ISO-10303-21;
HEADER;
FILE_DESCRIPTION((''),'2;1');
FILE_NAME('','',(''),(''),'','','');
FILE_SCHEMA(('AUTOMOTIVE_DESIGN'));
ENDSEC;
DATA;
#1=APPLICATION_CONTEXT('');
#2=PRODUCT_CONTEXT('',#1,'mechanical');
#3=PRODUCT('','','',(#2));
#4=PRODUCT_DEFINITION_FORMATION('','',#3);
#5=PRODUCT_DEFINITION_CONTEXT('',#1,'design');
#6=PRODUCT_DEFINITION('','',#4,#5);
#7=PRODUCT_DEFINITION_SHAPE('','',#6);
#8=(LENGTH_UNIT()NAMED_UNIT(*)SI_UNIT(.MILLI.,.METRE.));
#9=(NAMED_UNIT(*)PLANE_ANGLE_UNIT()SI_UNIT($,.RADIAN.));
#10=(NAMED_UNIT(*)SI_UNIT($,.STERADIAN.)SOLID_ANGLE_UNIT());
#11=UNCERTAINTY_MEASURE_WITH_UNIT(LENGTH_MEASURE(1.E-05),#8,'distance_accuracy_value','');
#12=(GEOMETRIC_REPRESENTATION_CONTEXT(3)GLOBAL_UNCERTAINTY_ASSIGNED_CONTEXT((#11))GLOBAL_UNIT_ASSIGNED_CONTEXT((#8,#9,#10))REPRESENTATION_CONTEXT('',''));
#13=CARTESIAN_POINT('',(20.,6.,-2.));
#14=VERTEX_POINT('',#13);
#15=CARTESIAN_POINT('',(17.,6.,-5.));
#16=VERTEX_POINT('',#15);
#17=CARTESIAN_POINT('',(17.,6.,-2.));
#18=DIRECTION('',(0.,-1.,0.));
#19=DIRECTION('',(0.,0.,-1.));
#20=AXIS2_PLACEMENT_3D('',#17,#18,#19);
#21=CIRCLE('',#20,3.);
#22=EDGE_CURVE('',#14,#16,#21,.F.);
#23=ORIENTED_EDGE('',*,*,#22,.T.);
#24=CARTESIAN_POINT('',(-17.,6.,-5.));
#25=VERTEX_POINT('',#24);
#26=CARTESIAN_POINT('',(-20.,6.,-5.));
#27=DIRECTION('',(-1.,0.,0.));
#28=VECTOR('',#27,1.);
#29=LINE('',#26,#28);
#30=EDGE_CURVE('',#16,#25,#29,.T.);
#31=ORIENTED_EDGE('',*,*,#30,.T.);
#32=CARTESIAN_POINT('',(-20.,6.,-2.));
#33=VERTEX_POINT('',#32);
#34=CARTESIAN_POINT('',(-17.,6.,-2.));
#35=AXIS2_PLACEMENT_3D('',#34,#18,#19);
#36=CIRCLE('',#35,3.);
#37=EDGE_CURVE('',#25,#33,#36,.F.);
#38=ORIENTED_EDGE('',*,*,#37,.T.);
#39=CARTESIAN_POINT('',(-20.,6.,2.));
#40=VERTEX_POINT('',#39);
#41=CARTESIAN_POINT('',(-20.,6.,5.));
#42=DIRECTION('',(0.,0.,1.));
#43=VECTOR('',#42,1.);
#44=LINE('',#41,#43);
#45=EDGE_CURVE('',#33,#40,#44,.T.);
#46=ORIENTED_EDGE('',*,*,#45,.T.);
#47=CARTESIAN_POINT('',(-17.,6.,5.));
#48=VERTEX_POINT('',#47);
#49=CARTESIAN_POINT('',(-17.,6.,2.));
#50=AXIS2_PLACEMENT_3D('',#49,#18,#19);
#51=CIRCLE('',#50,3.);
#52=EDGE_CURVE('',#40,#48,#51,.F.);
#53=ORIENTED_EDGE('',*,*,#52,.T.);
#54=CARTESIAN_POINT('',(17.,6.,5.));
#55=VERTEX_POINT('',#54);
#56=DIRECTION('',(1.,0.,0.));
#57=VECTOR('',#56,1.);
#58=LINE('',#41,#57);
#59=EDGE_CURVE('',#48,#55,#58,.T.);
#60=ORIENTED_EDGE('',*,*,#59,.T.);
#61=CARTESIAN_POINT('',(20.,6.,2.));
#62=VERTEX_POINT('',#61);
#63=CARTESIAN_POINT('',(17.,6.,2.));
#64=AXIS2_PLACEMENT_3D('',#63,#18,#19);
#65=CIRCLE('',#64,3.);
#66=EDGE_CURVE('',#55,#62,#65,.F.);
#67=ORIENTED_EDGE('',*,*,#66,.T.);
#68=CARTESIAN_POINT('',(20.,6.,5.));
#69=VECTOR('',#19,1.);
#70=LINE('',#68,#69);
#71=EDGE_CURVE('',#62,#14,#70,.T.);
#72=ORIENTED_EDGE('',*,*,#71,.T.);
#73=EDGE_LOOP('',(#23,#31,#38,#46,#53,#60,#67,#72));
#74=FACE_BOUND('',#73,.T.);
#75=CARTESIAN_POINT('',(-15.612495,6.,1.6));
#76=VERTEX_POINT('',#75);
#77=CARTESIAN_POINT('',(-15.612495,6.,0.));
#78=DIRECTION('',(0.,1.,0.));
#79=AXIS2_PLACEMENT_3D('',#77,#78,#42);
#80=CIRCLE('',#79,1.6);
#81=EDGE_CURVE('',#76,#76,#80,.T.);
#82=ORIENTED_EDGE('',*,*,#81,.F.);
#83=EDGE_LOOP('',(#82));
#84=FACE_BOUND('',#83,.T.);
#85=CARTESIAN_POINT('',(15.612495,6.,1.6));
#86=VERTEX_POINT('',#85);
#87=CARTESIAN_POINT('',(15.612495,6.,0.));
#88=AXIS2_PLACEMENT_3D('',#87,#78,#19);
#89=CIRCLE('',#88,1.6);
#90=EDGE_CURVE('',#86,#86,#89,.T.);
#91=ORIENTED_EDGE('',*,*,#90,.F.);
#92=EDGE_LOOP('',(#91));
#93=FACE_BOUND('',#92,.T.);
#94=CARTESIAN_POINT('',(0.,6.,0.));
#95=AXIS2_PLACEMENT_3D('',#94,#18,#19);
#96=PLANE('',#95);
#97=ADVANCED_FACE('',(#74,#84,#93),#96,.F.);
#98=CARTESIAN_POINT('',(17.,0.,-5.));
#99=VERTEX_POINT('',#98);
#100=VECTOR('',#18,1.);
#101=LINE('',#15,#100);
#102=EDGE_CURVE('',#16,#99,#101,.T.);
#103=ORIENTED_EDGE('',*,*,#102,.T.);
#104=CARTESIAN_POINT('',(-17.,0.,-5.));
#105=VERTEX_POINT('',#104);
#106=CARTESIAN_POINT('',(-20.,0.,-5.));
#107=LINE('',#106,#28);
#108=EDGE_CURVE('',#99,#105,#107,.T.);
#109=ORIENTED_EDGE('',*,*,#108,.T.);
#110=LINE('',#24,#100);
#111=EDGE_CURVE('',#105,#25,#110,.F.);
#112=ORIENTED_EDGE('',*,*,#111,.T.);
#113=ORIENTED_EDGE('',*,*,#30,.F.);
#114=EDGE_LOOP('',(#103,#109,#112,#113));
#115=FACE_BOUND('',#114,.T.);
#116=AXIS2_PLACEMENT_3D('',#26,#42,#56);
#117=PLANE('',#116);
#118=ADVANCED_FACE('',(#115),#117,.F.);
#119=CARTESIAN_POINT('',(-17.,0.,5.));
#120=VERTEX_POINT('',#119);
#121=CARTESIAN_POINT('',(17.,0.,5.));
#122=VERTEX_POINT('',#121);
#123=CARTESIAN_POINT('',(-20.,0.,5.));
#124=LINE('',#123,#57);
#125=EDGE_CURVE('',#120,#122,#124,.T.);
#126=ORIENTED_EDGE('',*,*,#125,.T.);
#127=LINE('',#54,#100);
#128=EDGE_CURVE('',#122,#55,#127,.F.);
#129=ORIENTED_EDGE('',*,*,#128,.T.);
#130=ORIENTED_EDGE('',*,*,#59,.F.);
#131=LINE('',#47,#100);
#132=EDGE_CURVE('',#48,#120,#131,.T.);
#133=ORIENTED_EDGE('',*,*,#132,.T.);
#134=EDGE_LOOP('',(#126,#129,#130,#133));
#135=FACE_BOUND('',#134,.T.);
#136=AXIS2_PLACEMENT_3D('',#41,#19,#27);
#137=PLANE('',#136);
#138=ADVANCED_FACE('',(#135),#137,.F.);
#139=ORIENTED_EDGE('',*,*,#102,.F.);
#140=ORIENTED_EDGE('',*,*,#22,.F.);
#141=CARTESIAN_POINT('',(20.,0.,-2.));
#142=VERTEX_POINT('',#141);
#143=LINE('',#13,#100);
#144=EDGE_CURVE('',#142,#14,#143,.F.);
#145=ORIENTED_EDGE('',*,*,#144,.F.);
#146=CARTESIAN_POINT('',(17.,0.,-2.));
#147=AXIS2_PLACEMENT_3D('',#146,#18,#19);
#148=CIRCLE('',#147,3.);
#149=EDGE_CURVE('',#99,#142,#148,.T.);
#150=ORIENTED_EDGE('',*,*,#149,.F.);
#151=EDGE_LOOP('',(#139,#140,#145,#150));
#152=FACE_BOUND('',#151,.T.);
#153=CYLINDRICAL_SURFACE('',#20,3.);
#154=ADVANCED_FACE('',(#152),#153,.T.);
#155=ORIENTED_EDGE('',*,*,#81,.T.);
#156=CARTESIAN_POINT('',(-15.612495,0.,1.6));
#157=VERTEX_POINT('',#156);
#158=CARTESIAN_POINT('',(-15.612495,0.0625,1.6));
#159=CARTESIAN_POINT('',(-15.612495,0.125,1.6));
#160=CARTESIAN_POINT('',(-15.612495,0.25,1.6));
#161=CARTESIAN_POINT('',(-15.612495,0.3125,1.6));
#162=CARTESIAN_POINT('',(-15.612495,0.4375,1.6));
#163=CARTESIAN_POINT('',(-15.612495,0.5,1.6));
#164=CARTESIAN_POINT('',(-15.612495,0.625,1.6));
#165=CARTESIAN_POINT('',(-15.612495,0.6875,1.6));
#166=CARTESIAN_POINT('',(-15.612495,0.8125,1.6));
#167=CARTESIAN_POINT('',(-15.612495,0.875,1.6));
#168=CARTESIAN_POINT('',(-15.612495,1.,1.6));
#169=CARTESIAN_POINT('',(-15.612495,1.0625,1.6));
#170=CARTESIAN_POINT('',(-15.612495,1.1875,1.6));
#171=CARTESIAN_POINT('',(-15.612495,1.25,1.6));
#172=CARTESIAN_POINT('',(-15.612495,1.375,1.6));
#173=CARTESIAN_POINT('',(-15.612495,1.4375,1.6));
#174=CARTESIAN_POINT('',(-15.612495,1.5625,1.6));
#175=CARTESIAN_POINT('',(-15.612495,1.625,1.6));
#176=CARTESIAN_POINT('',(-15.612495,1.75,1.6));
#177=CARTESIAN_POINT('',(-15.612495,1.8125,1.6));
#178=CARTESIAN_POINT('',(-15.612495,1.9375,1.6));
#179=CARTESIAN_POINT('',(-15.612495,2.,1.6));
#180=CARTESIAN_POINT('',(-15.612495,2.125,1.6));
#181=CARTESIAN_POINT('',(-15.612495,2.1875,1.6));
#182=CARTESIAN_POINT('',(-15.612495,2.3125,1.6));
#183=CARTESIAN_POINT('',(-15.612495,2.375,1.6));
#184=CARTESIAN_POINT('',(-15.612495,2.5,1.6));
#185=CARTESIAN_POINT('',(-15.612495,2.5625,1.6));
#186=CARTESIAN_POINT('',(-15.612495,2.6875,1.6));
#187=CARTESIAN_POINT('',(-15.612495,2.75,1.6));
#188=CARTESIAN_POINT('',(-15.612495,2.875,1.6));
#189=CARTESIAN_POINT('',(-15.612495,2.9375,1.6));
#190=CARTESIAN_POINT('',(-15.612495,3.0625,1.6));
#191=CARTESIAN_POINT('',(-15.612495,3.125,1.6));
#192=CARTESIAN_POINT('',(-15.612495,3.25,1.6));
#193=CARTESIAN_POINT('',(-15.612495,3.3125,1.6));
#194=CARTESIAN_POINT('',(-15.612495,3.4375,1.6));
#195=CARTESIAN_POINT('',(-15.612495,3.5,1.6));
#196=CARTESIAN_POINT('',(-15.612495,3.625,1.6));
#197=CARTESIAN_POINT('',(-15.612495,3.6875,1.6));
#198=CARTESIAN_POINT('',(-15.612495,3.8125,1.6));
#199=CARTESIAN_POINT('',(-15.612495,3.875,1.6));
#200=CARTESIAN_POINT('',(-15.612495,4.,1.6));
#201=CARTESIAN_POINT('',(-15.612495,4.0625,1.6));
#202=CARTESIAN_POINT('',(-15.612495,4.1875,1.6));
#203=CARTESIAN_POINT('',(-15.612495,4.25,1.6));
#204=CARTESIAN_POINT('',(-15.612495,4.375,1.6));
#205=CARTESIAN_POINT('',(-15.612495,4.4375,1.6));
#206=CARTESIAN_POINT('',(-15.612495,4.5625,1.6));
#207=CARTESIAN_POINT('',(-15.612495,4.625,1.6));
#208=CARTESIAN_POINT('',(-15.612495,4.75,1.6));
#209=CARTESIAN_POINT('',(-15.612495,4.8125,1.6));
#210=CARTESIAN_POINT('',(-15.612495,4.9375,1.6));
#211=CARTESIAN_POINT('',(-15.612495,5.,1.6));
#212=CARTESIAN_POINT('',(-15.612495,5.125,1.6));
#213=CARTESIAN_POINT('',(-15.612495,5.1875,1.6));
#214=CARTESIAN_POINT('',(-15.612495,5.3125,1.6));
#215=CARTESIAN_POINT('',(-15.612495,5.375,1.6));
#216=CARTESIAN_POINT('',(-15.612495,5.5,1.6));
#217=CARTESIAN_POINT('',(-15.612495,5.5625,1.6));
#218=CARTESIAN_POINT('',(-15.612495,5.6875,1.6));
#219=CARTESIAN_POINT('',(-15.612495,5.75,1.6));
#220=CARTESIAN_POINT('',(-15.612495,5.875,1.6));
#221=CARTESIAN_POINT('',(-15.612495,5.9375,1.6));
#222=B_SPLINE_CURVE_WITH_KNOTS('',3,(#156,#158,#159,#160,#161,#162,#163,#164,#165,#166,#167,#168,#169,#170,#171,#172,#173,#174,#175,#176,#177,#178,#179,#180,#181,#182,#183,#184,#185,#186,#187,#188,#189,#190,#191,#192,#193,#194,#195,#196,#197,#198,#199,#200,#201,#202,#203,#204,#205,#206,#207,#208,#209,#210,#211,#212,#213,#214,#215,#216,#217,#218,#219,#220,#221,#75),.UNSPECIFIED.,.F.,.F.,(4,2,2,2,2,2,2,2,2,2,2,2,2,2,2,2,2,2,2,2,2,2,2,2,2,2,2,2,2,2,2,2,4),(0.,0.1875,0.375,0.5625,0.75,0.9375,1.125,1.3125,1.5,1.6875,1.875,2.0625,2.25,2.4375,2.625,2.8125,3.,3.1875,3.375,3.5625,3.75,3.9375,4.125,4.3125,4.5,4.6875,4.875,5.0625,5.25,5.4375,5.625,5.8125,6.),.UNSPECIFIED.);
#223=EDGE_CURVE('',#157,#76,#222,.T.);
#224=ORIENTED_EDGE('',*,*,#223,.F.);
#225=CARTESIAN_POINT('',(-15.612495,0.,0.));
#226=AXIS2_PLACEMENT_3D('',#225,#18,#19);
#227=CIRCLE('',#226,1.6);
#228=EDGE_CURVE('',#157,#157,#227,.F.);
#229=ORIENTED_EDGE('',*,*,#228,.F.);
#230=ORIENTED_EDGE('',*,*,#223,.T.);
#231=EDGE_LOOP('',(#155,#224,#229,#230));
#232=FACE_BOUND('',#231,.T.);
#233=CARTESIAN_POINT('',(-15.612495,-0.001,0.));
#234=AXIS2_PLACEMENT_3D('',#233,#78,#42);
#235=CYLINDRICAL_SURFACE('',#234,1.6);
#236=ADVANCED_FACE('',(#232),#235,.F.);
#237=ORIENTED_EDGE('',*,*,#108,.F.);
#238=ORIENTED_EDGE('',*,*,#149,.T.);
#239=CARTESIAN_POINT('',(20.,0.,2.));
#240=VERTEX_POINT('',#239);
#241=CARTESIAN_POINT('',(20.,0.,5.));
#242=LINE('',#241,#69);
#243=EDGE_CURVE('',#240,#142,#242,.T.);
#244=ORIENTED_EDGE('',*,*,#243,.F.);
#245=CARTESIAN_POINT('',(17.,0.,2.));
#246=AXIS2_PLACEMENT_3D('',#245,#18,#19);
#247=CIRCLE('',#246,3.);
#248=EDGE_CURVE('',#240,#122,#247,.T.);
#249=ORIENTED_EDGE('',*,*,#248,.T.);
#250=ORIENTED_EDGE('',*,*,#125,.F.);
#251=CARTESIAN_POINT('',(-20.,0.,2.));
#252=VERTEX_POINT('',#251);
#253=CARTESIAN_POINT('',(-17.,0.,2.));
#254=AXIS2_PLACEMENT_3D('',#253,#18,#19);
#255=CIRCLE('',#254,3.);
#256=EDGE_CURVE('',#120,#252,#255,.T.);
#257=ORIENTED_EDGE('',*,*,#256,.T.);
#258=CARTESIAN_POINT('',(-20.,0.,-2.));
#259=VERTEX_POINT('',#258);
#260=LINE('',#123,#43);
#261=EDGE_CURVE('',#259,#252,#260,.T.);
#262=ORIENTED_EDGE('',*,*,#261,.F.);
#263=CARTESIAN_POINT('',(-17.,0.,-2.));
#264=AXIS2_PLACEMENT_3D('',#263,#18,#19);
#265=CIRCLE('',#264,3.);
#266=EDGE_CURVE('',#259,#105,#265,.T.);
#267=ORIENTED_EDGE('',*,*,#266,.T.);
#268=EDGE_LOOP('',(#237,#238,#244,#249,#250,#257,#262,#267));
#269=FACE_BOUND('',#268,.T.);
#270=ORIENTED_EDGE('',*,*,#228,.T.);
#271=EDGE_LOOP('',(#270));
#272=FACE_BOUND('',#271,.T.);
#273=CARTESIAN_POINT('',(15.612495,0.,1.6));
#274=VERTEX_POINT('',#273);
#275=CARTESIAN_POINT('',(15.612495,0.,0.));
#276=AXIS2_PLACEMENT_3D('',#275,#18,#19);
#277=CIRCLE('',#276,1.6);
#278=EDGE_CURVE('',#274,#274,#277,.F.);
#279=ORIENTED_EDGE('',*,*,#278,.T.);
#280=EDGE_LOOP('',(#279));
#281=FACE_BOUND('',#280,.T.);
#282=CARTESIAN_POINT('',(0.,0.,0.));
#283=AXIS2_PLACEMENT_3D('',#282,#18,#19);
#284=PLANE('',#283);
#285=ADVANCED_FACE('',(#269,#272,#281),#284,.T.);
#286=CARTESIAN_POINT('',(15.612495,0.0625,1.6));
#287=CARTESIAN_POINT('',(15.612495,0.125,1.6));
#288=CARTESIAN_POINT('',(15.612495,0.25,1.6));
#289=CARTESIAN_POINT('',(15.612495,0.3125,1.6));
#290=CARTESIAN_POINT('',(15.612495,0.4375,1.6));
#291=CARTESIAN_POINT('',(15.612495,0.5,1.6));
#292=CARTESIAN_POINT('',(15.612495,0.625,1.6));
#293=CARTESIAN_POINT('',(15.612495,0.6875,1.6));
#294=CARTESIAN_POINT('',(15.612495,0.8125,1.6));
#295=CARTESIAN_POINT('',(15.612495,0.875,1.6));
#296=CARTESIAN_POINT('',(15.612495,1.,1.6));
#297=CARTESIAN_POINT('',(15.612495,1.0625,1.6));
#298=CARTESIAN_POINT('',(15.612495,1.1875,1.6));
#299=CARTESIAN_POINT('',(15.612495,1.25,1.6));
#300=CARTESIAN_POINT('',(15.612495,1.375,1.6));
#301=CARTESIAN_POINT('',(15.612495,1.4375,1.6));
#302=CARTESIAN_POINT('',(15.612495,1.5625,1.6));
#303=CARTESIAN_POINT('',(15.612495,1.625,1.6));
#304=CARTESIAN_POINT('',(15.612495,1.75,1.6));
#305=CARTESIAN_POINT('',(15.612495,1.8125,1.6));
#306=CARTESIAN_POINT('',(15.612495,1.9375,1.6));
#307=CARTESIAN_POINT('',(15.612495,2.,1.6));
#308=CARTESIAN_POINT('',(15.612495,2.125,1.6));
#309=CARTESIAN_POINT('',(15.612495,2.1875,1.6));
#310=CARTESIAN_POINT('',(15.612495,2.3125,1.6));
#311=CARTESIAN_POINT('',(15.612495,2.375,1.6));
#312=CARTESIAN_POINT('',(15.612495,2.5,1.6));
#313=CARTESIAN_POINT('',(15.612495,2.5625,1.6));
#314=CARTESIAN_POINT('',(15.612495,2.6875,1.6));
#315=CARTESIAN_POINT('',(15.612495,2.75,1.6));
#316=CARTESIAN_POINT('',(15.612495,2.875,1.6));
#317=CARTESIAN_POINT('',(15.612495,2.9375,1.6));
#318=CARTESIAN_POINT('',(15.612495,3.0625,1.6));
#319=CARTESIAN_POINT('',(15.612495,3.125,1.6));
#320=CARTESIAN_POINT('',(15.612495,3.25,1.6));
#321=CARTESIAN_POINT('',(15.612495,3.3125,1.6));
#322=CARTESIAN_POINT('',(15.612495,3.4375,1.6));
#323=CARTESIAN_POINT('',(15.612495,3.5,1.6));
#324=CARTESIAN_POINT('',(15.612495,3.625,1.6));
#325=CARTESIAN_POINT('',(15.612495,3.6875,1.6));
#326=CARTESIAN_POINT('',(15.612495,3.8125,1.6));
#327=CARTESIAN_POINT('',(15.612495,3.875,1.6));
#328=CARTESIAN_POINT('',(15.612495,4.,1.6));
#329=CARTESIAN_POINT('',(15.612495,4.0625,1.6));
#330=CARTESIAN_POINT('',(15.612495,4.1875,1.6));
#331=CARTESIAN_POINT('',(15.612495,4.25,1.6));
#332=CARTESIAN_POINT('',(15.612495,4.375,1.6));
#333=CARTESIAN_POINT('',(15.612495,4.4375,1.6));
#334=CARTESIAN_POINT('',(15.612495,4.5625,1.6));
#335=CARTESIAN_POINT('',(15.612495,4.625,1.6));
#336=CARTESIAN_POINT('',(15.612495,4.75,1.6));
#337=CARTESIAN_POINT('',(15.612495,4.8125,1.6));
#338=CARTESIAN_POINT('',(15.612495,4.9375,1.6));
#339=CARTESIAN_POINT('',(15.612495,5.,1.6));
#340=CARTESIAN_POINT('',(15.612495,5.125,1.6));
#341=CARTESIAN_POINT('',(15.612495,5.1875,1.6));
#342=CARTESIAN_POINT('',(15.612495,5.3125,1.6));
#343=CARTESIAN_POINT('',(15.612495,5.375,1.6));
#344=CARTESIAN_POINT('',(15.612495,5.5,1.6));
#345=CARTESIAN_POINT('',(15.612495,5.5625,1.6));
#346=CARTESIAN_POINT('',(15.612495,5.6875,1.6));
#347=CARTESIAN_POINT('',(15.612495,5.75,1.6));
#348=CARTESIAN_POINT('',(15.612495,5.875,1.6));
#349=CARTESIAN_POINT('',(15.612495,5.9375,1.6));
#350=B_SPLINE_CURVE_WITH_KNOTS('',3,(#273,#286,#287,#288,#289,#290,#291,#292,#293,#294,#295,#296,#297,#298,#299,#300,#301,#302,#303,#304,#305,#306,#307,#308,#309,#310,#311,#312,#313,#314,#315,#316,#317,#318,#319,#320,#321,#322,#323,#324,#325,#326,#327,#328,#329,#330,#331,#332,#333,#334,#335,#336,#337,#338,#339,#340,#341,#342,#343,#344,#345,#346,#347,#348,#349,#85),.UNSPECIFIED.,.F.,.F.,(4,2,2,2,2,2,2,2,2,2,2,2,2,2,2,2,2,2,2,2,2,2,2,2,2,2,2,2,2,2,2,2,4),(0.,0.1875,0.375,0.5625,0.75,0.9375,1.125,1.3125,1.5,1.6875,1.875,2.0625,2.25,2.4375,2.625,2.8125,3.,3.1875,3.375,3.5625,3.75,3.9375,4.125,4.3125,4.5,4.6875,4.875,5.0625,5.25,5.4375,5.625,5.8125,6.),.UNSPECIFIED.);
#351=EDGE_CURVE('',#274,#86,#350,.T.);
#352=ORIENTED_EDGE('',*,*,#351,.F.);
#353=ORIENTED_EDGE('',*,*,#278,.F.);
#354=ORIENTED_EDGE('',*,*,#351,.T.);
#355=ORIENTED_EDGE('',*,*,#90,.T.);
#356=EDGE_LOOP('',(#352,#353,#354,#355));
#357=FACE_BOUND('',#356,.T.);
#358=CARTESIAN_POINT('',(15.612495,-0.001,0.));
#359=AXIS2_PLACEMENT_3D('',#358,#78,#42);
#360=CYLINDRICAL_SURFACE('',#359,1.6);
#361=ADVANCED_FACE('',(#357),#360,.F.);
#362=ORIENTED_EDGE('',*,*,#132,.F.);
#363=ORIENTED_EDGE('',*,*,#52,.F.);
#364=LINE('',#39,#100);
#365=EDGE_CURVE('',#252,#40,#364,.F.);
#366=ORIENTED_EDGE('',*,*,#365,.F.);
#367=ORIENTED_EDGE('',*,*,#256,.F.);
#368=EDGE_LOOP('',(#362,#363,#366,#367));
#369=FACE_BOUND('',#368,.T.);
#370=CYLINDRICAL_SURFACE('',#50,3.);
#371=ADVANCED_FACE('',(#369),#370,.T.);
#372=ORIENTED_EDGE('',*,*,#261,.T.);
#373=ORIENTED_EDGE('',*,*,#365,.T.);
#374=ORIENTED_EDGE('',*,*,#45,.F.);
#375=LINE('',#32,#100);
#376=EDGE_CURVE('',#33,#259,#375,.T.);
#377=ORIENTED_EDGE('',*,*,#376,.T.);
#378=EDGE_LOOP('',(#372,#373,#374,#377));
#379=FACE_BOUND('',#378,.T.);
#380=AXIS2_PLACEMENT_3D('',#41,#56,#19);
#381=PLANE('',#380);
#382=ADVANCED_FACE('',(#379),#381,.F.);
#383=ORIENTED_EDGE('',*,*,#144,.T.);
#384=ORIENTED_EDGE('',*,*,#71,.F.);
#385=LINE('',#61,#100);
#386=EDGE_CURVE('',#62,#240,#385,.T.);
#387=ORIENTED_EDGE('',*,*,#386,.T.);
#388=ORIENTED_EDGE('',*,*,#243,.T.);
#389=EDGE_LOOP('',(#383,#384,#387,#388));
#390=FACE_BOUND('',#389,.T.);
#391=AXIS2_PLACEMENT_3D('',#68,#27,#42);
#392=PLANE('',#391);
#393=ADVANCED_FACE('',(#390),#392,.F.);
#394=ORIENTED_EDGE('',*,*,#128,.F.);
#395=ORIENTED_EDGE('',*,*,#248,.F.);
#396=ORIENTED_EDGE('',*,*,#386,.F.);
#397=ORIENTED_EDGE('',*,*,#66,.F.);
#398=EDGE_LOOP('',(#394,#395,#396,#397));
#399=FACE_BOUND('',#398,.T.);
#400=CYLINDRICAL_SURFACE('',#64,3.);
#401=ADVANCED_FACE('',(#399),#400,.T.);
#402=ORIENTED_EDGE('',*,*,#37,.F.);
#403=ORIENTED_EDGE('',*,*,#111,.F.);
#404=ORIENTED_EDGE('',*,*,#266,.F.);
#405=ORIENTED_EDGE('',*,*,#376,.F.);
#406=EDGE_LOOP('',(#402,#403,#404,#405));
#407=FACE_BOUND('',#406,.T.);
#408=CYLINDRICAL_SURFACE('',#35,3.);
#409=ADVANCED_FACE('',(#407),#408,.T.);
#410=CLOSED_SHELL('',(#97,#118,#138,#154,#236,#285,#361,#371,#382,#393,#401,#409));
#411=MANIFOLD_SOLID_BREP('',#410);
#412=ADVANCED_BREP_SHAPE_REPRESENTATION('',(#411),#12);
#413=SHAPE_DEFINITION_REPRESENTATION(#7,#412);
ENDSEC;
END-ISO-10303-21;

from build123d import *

# Parameters (mm, degrees)
SKETCH_1_W          = 40
SKETCH_1_H          = 10
EXTRUDE_1_DEPTH     = 6
CUT_EXTRUDE_1_REACH = 23.471
SKETCH_2_R          = 1.6
FILLET_1_R          = 3


with BuildPart() as part:
    # 草图1 → 凸台-拉伸1 (new body)
    with BuildSketch(Plane(origin=(0, 0, 0), x_dir=(1, 0, 0), z_dir=(0, 1, 0))):
        Rectangle(SKETCH_1_W, SKETCH_1_H)
    extrude(amount=EXTRUDE_1_DEPTH)

    # 草图2 → 切除-拉伸1 (cut, up to next)
    with BuildSketch(Plane(origin=(0, 6, 0), x_dir=(1, 0, 0), z_dir=(0, 1, 0)), mode=Mode.PRIVATE) as cut_extrude_1_sk1:
        with Locations(Location((-15.612495, 0, 0), (0, 0, 270))):
            Circle(SKETCH_2_R)
    cut_extrude_1_tool1 = extrude(cut_extrude_1_sk1.sketch, amount=-CUT_EXTRUDE_1_REACH, mode=Mode.PRIVATE) & part.part
    # 草图2 → 切除-拉伸1 (cut, up to next)
    with BuildSketch(Plane(origin=(0, 6, 0), x_dir=(1, 0, 0), z_dir=(0, 1, 0)), mode=Mode.PRIVATE) as cut_extrude_1_sk2:
        with Locations(Location((15.612495, 0, 0), (0, 0, 270))):
            Circle(SKETCH_2_R)
    cut_extrude_1_tool2 = extrude(cut_extrude_1_sk2.sketch, amount=-CUT_EXTRUDE_1_REACH, mode=Mode.PRIVATE) & part.part
    add(cut_extrude_1_tool1.solids().sort_by_distance((-15.612495, 6, 0))[0], mode=Mode.SUBTRACT)
    add(cut_extrude_1_tool2.solids().sort_by_distance((15.612495, 6, 0))[0], mode=Mode.SUBTRACT)

    # 圆角1
    fillet_1_edges = [part.edges().sort_by_distance(p)[0] for p in [
        (20, 3, 5),
        (-20, 3, 5),
        (-20, 3, -5),
        (20, 3, -5),
    ]]
    fillet(fillet_1_edges, radius=FILLET_1_R)


solid = part.part
